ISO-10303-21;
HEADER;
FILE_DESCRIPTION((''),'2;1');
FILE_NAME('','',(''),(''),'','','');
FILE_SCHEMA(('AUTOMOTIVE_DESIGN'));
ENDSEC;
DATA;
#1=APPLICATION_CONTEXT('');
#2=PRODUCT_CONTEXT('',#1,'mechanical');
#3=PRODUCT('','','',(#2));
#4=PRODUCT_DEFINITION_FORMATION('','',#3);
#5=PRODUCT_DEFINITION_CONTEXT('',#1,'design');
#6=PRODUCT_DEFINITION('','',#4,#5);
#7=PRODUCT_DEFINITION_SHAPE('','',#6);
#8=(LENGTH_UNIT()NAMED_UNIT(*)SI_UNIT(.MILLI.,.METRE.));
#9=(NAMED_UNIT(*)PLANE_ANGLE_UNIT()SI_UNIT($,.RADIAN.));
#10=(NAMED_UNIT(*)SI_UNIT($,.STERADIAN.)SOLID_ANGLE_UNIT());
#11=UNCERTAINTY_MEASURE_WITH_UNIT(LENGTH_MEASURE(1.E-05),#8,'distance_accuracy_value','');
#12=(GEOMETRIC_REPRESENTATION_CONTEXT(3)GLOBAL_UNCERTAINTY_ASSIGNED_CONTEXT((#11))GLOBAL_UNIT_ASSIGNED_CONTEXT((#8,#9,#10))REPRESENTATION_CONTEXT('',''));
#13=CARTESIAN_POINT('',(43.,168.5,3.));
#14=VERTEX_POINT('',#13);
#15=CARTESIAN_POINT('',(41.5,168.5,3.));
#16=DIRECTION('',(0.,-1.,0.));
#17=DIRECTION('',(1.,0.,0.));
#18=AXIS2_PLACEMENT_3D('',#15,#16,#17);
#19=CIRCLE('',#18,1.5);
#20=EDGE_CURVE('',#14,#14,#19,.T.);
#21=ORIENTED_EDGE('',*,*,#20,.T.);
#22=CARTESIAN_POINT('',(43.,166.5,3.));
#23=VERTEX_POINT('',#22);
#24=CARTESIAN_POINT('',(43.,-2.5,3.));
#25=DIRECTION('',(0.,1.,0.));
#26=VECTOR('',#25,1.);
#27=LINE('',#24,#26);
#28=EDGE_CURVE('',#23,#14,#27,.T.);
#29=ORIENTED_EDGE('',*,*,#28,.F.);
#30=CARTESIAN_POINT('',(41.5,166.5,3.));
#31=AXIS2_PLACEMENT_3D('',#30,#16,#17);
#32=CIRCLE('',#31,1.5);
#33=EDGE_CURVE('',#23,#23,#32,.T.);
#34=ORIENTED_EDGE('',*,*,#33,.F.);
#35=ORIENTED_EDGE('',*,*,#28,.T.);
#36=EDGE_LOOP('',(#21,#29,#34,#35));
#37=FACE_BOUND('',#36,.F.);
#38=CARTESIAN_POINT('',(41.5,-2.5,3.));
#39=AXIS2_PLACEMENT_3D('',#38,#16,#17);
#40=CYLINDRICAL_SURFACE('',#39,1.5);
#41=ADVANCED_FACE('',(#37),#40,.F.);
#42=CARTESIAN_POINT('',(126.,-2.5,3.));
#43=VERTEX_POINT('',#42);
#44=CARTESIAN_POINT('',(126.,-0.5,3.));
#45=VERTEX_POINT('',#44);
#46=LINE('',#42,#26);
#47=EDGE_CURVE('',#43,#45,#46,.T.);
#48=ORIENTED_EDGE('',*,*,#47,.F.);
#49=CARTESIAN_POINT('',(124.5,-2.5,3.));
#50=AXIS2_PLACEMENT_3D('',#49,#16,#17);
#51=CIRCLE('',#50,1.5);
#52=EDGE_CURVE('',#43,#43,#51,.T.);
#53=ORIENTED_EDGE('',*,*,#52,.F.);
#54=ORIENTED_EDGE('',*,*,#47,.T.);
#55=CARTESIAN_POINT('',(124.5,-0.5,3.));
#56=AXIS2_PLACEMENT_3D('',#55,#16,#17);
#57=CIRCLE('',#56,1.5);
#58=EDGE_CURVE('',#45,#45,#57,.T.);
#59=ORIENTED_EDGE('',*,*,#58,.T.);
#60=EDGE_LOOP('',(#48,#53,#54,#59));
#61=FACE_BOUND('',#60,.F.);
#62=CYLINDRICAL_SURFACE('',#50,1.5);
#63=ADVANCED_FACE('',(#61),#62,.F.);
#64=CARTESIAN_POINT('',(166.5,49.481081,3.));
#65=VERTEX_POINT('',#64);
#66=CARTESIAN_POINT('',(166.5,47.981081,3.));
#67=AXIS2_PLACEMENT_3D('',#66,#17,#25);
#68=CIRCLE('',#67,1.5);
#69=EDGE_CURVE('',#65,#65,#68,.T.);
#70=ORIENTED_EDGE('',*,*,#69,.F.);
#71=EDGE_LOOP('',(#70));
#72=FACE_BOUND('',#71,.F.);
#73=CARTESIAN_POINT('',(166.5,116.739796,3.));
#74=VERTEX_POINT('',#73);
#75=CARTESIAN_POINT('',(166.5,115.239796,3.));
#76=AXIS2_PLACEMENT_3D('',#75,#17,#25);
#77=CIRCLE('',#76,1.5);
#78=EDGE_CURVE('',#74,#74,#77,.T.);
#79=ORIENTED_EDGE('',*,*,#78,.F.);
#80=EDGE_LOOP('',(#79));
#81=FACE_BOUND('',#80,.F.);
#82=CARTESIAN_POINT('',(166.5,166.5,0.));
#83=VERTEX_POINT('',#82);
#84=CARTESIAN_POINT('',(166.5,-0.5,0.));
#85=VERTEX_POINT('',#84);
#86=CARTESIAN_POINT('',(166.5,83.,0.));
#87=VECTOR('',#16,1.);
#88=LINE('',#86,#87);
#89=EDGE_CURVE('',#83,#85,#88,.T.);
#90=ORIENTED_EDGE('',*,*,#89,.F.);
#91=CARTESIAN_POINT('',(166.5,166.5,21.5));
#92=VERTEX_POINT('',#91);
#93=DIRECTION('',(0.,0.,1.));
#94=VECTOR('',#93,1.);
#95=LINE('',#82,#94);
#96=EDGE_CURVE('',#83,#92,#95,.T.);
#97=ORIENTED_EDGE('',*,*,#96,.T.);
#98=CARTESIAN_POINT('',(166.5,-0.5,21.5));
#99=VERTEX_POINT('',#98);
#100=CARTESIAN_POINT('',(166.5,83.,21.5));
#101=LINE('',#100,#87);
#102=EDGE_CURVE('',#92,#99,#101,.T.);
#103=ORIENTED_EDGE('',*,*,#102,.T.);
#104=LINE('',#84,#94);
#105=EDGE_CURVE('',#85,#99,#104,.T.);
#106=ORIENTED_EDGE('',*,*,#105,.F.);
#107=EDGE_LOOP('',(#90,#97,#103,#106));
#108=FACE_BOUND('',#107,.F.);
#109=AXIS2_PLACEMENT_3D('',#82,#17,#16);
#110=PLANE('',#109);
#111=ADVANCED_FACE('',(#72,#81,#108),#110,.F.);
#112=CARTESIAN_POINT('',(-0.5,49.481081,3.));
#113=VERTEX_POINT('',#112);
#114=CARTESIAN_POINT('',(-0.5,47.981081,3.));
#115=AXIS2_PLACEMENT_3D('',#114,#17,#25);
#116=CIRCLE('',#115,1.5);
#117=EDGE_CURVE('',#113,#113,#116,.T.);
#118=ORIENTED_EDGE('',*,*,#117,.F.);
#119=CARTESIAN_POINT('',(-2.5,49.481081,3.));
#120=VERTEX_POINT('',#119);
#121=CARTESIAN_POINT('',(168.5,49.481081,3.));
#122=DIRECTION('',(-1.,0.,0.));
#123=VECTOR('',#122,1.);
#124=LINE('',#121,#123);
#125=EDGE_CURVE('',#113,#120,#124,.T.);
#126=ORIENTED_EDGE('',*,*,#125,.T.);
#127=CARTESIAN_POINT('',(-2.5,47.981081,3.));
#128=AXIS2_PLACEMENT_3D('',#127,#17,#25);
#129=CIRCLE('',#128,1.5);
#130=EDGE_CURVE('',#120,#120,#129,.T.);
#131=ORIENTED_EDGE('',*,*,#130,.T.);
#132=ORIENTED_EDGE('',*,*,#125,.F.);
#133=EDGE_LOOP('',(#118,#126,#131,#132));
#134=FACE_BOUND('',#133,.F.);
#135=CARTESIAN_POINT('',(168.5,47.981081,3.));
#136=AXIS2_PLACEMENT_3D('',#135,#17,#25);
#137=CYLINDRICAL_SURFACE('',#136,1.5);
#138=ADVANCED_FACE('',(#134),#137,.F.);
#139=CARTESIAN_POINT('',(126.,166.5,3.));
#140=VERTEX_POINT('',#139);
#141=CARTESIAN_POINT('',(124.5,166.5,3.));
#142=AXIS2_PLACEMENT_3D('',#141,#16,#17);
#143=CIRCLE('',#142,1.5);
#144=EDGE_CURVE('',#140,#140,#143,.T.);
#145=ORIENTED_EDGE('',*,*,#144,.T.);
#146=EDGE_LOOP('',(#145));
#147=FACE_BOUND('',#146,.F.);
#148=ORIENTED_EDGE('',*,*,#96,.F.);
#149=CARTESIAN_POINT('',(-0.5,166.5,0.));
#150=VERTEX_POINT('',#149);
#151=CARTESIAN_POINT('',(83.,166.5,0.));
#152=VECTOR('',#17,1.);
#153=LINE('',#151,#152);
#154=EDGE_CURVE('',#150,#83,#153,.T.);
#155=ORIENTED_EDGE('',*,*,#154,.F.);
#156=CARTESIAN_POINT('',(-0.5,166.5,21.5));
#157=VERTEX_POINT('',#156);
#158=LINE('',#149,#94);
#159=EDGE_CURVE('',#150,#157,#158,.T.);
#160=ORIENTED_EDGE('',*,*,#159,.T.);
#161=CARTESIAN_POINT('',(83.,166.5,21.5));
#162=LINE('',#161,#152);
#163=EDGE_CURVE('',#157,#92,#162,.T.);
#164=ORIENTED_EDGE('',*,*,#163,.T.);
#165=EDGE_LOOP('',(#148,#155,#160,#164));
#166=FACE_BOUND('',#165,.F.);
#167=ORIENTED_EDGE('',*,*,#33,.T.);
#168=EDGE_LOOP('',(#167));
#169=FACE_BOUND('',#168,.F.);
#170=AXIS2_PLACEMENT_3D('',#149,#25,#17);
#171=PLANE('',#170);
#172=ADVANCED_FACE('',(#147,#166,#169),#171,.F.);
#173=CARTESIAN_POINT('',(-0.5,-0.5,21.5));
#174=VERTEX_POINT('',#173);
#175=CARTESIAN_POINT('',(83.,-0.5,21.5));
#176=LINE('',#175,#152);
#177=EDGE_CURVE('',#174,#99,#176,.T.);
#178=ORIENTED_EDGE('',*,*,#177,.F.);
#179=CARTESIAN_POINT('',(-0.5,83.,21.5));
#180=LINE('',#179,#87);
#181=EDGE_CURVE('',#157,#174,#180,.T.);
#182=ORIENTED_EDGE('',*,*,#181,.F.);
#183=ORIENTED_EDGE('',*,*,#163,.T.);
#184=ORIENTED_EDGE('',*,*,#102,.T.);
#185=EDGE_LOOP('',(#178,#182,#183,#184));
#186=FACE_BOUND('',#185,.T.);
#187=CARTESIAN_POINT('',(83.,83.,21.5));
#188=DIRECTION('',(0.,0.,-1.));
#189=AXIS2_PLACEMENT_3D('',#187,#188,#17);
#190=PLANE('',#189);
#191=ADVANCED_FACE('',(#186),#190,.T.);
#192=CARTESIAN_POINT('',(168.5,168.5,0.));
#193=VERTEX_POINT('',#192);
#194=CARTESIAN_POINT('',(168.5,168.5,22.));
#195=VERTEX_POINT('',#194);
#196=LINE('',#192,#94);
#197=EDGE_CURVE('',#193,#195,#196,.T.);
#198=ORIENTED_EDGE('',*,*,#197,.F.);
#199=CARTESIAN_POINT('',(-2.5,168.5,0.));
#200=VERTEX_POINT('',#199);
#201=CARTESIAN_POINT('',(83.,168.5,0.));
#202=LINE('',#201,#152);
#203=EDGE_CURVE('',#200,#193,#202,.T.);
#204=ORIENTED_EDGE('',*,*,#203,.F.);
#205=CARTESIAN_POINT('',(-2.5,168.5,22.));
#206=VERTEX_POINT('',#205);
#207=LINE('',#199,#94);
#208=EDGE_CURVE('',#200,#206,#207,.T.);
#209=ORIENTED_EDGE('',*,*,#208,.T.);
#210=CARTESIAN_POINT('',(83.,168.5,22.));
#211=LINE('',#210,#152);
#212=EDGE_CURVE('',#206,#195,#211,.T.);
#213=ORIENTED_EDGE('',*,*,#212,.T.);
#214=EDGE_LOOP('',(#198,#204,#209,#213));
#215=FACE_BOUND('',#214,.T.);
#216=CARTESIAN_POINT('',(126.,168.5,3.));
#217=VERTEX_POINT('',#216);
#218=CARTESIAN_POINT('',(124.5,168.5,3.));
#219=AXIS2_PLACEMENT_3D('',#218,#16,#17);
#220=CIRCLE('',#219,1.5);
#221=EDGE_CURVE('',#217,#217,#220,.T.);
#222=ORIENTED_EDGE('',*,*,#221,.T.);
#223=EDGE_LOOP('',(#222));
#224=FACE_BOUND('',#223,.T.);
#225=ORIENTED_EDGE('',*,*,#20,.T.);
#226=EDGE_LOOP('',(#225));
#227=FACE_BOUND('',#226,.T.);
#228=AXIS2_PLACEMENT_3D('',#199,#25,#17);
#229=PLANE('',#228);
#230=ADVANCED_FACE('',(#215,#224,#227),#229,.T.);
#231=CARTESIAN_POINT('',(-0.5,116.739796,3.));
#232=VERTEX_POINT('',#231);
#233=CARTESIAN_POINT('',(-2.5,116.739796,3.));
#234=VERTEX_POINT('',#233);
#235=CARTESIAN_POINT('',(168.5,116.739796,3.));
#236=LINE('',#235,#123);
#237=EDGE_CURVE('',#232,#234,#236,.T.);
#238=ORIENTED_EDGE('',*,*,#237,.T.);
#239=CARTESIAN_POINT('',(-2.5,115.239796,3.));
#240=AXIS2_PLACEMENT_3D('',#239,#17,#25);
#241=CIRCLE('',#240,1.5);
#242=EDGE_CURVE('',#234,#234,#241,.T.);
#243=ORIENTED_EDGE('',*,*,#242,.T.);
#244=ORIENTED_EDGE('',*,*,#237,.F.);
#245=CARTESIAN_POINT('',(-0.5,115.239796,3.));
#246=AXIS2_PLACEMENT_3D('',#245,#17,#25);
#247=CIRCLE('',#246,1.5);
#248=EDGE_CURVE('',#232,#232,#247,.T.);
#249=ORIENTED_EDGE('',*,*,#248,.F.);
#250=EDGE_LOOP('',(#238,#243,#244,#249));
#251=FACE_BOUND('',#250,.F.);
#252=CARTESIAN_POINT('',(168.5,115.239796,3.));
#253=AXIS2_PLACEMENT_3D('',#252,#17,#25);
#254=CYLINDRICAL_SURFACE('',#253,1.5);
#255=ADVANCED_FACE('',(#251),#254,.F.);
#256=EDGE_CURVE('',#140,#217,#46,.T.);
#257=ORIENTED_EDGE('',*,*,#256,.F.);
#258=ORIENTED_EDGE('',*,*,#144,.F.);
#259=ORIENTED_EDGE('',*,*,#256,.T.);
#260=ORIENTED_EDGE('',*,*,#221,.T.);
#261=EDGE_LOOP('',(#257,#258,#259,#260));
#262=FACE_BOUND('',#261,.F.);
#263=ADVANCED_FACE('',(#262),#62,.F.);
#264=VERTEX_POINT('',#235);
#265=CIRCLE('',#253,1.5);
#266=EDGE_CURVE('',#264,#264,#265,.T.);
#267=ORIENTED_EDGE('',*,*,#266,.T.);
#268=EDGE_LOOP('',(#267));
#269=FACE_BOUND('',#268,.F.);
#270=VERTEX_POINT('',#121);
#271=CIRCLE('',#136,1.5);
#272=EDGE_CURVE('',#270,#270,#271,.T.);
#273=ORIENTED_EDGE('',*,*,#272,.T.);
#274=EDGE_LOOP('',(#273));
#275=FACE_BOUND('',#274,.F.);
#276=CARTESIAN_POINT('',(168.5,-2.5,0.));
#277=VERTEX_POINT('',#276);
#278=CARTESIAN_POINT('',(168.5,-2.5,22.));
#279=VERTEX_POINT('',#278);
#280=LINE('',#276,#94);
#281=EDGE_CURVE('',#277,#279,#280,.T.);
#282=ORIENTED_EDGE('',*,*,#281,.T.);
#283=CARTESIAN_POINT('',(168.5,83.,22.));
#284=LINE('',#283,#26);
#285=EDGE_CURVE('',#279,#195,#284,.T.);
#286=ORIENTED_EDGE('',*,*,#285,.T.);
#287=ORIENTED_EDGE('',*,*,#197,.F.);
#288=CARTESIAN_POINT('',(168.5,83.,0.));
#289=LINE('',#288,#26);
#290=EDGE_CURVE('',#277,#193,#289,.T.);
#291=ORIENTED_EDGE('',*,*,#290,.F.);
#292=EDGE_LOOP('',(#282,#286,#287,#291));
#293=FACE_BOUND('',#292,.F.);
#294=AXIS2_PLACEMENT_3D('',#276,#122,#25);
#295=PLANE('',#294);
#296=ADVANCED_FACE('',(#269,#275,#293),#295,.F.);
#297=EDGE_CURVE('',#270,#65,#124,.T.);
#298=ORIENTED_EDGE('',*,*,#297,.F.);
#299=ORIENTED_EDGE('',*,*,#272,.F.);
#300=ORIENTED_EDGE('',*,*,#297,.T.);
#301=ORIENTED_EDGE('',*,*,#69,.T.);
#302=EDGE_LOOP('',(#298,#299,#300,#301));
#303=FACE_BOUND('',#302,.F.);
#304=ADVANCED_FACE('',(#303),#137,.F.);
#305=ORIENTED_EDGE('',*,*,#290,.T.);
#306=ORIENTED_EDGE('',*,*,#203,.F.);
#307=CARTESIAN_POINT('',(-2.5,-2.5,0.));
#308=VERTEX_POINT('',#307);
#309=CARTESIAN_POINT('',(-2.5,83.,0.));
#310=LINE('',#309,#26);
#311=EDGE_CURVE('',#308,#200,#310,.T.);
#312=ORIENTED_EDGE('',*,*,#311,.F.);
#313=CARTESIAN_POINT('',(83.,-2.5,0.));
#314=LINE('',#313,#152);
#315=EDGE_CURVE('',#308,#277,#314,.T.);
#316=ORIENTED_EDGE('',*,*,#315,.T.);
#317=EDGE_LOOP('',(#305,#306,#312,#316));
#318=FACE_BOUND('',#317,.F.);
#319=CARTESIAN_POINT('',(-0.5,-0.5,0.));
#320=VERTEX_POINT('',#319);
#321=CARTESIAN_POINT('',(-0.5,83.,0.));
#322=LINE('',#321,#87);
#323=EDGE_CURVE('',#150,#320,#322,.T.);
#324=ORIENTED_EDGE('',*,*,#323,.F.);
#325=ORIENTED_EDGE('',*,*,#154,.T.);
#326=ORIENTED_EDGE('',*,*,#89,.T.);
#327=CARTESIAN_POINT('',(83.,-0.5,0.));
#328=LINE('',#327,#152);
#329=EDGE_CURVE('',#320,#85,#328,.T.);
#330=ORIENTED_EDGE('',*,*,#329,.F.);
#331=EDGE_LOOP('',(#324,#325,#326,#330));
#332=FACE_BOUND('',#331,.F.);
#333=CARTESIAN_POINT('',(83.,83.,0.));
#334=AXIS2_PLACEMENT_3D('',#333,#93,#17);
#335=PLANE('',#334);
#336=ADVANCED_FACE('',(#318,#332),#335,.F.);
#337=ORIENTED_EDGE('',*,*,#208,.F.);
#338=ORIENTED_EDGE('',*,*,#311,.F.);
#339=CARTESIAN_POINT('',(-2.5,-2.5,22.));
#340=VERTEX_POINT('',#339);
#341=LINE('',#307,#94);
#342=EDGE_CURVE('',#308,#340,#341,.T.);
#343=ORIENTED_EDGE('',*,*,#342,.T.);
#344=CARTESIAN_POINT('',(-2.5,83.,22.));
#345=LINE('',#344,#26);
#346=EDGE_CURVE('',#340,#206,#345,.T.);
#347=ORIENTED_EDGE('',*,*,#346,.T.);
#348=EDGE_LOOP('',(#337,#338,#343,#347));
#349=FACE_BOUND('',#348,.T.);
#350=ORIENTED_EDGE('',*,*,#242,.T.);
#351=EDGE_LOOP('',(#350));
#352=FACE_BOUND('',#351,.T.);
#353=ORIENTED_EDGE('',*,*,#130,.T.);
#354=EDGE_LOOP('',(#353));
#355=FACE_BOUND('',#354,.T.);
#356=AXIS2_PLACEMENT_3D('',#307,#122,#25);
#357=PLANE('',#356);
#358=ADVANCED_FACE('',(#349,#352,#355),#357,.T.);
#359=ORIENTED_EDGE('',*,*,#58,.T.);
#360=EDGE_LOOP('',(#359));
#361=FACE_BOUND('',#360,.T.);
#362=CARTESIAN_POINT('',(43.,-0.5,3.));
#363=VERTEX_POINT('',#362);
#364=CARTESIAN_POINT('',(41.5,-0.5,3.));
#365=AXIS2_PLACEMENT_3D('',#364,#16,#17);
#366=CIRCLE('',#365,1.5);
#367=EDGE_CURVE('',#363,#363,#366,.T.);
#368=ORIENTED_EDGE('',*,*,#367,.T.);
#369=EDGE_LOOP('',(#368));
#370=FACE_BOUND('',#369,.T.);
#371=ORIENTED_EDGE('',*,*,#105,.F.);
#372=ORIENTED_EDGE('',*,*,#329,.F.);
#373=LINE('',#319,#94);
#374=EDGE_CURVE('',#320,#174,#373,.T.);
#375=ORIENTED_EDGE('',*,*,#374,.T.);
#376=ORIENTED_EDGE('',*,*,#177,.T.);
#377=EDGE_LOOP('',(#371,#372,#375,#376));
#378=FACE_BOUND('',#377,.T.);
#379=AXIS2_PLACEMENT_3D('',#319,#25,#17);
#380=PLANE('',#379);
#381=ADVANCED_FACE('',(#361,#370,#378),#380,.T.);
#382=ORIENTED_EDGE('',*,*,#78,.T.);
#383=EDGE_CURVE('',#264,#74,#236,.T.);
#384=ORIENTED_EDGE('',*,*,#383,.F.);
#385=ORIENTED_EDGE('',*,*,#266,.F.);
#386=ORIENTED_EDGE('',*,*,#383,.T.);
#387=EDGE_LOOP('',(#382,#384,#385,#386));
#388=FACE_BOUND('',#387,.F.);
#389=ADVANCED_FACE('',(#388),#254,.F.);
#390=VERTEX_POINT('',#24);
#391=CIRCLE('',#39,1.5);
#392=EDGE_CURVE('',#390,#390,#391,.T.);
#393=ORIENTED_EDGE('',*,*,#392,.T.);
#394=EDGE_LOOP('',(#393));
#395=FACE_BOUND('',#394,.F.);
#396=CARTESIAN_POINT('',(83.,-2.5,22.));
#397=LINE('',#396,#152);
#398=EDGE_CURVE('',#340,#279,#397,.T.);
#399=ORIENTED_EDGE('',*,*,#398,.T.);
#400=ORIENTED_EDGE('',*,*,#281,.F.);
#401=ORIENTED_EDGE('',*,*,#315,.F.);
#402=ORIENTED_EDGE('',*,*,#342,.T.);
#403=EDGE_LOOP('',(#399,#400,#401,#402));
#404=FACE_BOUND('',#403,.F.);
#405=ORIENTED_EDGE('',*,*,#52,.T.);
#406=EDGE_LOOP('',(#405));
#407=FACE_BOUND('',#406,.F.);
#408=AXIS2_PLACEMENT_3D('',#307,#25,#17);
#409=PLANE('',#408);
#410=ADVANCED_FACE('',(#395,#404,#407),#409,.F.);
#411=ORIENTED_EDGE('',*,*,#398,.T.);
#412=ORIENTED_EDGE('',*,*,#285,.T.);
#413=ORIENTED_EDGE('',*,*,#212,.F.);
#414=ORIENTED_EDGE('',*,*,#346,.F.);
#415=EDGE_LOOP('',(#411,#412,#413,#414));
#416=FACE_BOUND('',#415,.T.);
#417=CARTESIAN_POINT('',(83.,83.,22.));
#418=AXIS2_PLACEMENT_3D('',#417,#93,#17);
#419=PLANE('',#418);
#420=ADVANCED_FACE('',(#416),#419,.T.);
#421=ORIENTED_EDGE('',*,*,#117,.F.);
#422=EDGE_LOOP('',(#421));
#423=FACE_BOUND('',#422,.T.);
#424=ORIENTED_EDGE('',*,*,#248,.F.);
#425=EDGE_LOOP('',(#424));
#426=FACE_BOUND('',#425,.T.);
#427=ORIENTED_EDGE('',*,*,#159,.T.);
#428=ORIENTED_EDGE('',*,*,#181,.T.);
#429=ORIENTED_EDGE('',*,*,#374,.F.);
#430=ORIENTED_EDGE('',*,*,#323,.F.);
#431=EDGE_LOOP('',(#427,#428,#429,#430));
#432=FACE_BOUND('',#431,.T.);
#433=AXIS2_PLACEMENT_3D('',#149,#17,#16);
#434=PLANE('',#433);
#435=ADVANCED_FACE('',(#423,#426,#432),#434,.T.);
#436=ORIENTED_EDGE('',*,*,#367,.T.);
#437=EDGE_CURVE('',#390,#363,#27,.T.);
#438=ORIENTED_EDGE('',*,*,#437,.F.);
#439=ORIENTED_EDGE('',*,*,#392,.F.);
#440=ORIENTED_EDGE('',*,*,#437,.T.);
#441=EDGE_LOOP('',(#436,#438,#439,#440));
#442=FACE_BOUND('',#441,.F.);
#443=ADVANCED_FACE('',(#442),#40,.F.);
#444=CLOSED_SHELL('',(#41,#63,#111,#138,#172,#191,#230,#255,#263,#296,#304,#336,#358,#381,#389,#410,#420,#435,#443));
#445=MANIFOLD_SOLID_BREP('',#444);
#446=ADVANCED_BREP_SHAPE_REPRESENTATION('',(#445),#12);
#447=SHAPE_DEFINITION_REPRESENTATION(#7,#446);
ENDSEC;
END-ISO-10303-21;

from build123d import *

# Parameters (mm, degrees)
SKETCH036_W     = 171
SKETCH036_H     = 171
PAD018_DEPTH    = 22
SKETCH037_W     = 167
SKETCH037_H     = 167
POCKET018_DEPTH = 21.5
SKETCH038_R     = 1.5
POCKET019_DEPTH = 171.001
SKETCH039_R     = 1.5
POCKET020_DEPTH = 171.001


with BuildPart() as part:
    # Sketch036 → Pad018 (new body)
    with BuildSketch(Plane.XY):
        with Locations((83, 83)):
            Rectangle(SKETCH036_W, SKETCH036_H)
    extrude(amount=PAD018_DEPTH)

    # Sketch037 (on Face5 of Pad018) → Pocket018 (cut)
    with BuildSketch(Plane(origin=(0, 0, 0), x_dir=(1, 0, 0), z_dir=(0, 0, -1))):
        with Locations((83, -83)):
            Rectangle(SKETCH037_W, SKETCH037_H)
    extrude(amount=-POCKET018_DEPTH, mode=Mode.SUBTRACT)

    # Sketch038 (on Face6 of Pocket018) → Pocket019 (cut, through all)
    with BuildSketch(Plane.XZ.offset(2.5)):
        with Locations((41.5, 3)):
            Circle(SKETCH038_R)
        with Locations((124.5, 3)):
            Circle(SKETCH038_R)
    extrude(amount=-POCKET019_DEPTH, mode=Mode.SUBTRACT)

    # Sketch039 (on Face5 of Pocket019) → Pocket020 (cut, through all)
    with BuildSketch(Plane.YZ.offset(168.5)):
        with Locations((47.981081, 3)):
            Circle(SKETCH039_R)
        with Locations((115.239796, 3)):
            Circle(SKETCH039_R)
    extrude(amount=-POCKET020_DEPTH, mode=Mode.SUBTRACT)


solid = part.part
